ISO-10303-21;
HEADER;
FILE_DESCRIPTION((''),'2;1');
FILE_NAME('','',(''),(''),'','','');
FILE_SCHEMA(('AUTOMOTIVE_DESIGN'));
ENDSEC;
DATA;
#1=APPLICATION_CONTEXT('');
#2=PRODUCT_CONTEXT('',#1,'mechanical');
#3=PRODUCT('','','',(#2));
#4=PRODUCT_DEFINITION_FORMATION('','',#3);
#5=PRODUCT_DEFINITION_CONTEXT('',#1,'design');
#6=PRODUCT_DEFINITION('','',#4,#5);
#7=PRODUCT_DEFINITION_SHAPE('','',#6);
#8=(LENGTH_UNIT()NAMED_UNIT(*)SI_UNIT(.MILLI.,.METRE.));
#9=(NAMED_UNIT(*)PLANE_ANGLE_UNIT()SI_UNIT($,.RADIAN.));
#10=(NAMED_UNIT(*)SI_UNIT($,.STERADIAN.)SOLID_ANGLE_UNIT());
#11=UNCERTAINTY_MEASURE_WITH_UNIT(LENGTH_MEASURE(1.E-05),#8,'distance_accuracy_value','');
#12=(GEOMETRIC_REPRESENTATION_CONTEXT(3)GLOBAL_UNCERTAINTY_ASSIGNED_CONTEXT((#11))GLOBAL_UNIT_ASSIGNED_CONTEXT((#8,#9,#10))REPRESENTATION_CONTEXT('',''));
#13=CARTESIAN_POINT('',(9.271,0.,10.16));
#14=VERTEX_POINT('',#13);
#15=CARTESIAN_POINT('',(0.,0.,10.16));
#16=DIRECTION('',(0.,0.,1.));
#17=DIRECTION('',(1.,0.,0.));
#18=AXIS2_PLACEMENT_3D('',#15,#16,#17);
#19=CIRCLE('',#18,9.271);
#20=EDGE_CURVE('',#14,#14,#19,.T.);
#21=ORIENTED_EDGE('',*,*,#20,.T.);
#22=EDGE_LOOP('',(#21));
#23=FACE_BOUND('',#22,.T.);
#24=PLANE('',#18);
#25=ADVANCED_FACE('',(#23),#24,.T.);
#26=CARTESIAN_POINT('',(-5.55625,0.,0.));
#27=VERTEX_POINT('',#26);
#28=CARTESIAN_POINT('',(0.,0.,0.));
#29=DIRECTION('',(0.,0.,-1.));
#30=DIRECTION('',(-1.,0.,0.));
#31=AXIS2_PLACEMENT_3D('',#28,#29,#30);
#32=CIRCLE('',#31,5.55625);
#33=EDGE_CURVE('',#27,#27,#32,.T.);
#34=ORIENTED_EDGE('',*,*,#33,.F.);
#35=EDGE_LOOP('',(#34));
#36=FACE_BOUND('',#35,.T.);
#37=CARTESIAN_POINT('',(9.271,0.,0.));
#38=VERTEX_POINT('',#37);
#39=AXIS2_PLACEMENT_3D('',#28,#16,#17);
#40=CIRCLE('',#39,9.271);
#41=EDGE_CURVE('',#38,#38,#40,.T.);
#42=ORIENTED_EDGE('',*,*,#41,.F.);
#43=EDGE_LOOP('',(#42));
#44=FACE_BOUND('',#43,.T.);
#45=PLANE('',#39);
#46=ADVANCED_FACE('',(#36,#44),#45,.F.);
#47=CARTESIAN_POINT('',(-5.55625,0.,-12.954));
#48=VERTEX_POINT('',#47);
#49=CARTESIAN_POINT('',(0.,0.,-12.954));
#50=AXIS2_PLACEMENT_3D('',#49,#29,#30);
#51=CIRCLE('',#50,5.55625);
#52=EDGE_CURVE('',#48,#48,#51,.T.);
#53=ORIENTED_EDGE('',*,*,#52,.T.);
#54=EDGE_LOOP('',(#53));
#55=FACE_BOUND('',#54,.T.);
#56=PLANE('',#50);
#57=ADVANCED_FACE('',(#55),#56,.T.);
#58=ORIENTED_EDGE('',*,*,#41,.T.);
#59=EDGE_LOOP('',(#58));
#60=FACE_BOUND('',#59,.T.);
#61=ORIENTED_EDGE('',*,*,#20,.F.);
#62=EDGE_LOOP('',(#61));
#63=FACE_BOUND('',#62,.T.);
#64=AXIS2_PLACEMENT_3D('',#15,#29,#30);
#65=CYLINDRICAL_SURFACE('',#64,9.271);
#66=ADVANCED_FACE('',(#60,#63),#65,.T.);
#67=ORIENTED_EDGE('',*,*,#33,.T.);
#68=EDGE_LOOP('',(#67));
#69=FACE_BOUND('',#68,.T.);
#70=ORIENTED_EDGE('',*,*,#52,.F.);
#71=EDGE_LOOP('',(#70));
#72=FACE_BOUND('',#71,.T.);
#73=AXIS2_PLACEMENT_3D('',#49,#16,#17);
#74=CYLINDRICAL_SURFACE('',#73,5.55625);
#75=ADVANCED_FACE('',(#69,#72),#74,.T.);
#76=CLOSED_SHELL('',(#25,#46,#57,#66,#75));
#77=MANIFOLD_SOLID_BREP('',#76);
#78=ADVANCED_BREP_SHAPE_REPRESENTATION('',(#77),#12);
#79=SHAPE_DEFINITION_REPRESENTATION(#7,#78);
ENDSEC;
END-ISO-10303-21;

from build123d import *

# Parameters (mm, degrees)
SKETCH1_R           = 9.271
BOSS_EXTRUDE1_DEPTH = 10.16
SKETCH2_R           = 5.55625
BOSS_EXTRUDE2_DEPTH = 12.954


with BuildPart() as part:
    # Sketch1 → Boss-Extrude1 (new body)
    with BuildSketch(Plane.XY):
        Circle(SKETCH1_R)
    extrude(amount=BOSS_EXTRUDE1_DEPTH)

    # Sketch2 → Boss-Extrude2 (add)
    with BuildSketch(Plane(origin=(0, 0, 0), x_dir=(-1, 0, 0), z_dir=(0, 0, -1))):
        Circle(SKETCH2_R)
    extrude(amount=BOSS_EXTRUDE2_DEPTH)


solid = part.part
